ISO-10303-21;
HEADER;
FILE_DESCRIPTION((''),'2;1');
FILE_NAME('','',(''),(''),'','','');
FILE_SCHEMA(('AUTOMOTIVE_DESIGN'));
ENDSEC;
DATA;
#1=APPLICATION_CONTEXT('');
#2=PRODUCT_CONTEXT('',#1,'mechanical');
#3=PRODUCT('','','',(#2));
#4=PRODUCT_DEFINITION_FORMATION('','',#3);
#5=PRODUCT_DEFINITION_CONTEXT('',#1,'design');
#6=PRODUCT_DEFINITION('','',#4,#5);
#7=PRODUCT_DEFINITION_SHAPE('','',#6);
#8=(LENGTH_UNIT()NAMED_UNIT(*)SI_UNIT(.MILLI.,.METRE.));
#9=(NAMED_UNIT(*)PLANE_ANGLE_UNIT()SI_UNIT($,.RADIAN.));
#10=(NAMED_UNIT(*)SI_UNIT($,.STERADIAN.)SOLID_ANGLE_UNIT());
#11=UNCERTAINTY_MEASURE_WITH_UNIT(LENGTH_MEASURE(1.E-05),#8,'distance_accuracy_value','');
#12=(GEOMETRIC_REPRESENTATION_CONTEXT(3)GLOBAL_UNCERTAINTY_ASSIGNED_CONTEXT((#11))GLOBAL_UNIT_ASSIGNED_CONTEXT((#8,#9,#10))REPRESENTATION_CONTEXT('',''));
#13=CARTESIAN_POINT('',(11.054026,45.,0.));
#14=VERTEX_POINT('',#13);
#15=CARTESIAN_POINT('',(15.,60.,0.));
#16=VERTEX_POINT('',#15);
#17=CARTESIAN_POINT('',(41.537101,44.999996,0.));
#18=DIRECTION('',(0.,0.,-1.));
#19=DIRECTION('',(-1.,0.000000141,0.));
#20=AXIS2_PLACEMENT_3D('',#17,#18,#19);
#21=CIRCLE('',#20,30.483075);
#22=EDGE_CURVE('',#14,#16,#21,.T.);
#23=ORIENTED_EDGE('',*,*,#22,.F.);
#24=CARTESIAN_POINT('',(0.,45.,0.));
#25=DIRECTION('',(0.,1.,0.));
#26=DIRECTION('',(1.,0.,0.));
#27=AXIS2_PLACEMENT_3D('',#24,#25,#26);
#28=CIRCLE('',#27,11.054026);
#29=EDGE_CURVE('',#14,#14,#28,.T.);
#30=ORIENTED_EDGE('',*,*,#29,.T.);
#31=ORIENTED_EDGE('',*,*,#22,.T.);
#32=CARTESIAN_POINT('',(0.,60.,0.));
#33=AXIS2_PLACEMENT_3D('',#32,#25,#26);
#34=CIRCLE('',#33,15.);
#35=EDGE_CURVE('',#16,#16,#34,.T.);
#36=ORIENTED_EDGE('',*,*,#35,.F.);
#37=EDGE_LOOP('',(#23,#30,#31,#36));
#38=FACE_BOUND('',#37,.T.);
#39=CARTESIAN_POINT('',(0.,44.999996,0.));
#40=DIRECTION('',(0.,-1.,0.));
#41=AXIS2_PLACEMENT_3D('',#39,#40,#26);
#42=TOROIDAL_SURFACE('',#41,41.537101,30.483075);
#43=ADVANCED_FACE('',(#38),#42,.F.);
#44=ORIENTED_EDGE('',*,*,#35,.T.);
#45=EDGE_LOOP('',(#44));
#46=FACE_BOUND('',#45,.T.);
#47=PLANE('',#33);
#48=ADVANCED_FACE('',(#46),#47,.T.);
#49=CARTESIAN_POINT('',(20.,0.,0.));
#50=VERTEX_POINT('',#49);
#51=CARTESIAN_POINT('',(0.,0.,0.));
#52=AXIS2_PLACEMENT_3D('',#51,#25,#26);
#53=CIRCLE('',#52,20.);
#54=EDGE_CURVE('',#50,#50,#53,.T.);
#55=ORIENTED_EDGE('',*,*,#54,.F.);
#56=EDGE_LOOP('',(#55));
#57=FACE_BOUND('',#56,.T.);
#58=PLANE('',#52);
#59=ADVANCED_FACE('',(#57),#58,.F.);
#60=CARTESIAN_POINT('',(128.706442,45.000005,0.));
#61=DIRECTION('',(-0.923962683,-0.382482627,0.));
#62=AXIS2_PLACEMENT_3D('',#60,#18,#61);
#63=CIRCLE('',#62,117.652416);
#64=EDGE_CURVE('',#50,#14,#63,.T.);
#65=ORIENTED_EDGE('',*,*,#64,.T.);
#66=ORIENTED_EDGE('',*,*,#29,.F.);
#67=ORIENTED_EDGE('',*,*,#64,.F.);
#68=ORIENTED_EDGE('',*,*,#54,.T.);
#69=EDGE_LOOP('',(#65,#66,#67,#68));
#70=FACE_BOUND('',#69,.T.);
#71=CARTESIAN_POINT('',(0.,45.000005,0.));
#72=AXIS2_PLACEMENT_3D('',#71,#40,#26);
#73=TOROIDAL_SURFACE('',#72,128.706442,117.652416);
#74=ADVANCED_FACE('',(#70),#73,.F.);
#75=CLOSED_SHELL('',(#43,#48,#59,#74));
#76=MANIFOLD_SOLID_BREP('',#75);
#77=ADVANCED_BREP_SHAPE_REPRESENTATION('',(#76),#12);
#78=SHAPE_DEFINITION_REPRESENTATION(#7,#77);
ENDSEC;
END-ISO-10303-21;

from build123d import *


with BuildPart() as f1:
    # F0 (on Top) → F1 (revolve)
    with BuildSketch(Plane.XY):
        with BuildLine():
            Line((0, 60), (0, 0))
            Line((0, 0), (20, 0))
            ThreePointArc((20, 0), (13.312191, 22.059695), (11.054026, 45))
            ThreePointArc((11.054026, 45), (12.057021, 52.755171), (15, 60))
            Line((15, 60), (0, 60))
        make_face()
    revolve(axis=Axis((0, 30, 0), (0, 1, 0)))


solid = f1.part
